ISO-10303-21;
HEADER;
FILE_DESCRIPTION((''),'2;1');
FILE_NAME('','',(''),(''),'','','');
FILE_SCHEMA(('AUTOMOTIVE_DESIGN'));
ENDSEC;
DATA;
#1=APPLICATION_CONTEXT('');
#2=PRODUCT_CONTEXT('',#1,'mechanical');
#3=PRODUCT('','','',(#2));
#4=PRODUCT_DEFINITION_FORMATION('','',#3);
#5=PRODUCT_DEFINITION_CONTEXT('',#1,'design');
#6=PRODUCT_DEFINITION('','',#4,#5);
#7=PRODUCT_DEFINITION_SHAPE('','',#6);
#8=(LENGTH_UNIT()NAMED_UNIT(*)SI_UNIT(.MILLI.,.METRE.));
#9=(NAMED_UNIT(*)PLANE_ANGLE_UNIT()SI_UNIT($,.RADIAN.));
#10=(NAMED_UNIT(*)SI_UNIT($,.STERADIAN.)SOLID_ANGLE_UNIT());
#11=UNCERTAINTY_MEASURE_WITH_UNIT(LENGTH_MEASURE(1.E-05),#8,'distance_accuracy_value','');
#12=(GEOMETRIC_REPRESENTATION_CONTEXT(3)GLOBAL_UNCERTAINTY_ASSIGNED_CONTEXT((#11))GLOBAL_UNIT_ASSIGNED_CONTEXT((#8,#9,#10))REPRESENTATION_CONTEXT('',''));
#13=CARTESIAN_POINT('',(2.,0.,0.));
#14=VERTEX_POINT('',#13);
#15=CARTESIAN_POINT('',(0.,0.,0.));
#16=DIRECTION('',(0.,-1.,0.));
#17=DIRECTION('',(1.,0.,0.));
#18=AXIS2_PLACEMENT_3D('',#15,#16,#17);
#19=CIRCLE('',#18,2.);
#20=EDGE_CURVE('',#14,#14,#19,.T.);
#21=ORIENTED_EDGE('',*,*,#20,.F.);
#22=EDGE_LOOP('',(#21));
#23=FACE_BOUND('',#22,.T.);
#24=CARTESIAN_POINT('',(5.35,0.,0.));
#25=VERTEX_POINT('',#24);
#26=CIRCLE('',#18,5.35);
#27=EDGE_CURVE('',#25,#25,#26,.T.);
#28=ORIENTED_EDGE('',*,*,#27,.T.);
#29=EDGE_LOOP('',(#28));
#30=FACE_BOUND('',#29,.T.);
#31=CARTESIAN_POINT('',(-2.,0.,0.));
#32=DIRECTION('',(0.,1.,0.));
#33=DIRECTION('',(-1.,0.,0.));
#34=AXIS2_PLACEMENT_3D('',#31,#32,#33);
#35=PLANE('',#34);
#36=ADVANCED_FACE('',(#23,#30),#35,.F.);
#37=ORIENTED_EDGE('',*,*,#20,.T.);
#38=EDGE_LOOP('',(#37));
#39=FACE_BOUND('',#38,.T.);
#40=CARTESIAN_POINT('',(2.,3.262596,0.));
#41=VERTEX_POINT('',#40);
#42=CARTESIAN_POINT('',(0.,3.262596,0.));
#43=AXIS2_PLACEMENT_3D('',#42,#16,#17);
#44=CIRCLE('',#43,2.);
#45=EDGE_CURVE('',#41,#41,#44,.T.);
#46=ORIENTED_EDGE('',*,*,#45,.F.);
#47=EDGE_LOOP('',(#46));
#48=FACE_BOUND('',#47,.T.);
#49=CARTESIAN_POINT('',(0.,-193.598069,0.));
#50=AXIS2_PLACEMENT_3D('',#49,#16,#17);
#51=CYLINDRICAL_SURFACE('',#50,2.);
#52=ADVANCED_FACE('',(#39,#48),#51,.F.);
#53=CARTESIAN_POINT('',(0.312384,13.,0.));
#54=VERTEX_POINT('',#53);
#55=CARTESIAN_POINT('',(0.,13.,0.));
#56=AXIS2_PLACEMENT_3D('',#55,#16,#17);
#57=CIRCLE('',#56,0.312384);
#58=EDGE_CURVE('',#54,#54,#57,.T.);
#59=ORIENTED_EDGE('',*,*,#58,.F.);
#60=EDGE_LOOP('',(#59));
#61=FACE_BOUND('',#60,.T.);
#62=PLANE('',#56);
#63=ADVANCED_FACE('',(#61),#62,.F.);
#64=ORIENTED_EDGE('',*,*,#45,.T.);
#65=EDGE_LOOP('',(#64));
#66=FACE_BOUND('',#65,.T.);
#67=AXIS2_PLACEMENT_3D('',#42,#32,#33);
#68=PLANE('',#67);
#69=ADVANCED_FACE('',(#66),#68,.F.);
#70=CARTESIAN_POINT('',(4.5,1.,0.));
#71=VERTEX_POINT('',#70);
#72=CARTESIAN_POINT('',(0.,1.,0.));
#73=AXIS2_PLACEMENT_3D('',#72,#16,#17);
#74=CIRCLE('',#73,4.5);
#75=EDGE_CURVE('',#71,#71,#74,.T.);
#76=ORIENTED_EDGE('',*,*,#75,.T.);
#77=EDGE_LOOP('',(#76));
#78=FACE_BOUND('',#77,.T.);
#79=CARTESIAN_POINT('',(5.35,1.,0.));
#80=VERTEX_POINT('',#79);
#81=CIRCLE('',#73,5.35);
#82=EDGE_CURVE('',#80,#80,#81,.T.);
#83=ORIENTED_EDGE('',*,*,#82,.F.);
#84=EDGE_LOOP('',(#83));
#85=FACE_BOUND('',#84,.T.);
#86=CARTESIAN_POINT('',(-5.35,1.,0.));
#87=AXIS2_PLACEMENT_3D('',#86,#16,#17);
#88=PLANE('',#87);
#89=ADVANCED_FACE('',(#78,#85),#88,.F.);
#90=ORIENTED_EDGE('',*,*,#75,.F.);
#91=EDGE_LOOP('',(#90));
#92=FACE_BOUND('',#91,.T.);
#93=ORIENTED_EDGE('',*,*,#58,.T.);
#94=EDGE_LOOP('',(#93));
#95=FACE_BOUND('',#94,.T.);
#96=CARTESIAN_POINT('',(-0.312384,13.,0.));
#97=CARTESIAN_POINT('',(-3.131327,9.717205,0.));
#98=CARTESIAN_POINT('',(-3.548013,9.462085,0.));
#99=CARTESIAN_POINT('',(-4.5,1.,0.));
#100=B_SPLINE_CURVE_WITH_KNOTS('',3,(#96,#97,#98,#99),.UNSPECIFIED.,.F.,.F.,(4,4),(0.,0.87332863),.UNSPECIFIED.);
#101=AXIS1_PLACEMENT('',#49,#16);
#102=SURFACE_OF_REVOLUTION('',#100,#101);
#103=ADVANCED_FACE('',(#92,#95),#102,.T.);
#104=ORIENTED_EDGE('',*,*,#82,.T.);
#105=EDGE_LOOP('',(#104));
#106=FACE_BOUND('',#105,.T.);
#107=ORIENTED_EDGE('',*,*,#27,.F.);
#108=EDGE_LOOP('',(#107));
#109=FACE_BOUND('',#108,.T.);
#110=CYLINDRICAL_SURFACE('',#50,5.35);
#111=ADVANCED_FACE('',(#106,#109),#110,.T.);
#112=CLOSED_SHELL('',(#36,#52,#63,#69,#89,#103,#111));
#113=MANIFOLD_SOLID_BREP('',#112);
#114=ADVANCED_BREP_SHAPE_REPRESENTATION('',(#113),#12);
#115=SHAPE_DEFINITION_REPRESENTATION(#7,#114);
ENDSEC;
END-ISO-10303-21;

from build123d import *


with BuildPart() as part:
    # Sketch1 → Revolve1 (revolve)
    with BuildSketch(Plane.XY, mode=Mode.PRIVATE) as revolve1_sk:
        with BuildLine():
            Line((0, 3.262595757), (-2, 3.262595757))
            Line((-2, 3.262595757), (-2, 0))
            Line((-2, 0), (-5.35, 0))
            Line((-5.35, 0), (-5.35, 1))
            Line((-5.35, 1), (-4.5, 1))
            add(Edge.make_bspline(
                [(-4.5, 1), (-3.548013328, 9.462085204), (-3.131326696, 9.717205223), (-0.312384473, 13)],
                knots=[0, 0, 0, 0, 0.87332863, 0.87332863, 0.87332863, 0.87332863], degree=3))
            Line((-0.312384473, 13), (0, 13))
            Line((0, 13), (0, 3.262595757))
        make_face()
    revolve(revolve1_sk.sketch.rotate(Axis((0, -193.598068773, 0), (0, 1, 0)), 180), axis=Axis((0, -193.598068773, 0), (0, 1, 0)))


solid = part.part
